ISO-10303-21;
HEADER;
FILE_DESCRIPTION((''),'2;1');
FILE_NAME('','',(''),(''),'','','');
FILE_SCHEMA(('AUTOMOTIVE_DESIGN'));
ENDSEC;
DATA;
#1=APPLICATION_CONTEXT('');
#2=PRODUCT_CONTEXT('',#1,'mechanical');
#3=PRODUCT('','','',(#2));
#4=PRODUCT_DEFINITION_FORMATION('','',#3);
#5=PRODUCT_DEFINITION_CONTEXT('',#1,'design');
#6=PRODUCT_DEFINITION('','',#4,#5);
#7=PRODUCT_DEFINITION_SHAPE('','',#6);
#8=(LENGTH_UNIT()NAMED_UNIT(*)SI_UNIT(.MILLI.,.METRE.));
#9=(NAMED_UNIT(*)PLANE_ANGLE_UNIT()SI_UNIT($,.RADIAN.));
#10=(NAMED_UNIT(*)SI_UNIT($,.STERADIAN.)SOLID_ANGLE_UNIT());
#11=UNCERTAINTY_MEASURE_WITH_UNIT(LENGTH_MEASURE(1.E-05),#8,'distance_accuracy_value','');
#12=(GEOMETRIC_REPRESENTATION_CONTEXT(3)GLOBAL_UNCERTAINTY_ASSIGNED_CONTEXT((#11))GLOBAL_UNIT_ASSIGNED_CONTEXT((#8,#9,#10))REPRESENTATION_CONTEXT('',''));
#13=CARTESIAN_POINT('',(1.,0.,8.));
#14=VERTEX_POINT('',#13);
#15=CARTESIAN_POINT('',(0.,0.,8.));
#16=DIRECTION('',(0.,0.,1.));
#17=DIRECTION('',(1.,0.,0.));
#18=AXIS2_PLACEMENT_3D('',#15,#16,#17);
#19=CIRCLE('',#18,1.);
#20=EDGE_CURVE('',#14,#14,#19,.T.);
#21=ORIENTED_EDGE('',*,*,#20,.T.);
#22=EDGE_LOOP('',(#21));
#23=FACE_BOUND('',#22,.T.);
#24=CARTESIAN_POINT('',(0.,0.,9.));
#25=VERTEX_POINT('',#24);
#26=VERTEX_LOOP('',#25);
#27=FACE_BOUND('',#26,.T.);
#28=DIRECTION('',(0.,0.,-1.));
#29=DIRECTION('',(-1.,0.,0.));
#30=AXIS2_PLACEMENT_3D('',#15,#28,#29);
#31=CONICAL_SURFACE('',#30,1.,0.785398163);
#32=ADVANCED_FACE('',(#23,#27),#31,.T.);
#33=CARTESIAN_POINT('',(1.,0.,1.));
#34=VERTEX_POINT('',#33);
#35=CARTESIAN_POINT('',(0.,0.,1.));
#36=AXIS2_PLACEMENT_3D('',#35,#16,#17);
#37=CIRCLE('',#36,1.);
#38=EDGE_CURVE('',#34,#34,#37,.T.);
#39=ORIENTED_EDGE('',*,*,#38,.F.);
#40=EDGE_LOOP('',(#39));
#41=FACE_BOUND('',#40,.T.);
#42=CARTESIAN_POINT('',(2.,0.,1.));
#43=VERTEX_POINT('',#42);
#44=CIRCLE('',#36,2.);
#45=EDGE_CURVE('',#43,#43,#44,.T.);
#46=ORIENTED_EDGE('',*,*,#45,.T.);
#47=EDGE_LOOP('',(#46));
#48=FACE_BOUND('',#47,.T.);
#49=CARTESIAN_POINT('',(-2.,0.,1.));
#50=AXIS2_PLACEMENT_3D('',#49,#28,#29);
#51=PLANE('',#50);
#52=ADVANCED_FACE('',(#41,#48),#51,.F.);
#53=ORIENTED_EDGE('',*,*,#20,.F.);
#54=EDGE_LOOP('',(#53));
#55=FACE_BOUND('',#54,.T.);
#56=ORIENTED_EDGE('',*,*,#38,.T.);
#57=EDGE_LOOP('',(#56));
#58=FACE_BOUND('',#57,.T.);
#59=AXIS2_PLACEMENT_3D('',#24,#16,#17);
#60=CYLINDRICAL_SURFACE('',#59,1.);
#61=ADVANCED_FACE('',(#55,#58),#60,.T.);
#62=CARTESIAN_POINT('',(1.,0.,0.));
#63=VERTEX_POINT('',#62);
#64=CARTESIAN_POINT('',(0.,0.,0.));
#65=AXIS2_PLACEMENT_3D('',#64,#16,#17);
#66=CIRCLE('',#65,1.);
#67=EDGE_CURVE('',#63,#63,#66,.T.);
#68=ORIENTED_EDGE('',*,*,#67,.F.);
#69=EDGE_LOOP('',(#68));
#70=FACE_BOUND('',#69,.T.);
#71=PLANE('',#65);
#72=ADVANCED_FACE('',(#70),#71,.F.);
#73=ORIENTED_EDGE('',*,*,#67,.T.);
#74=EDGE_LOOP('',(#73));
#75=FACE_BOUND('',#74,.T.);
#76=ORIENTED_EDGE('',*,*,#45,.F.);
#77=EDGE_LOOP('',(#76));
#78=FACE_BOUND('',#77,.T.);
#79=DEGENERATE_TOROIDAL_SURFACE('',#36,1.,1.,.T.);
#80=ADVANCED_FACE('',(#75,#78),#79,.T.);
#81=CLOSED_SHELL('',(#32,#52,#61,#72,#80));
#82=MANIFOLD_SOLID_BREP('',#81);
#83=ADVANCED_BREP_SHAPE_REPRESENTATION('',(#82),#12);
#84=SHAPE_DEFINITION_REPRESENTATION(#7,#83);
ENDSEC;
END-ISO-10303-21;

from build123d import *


with BuildPart() as part:
    # Sketch1 → Revolve1 (revolve)
    with BuildSketch(Plane(origin=(0, 0, 0), x_dir=(1, 0, 0), z_dir=(0, 1, 0))):
        with BuildLine():
            Line((-1, -1), (-1, -8))
            Line((-1, -8), (0, -9))
            Line((0, -9), (0, 0))
            Line((0, 0), (-1, 0))
            ThreePointArc((-1, 0), (-1.707106781, -0.292893219), (-2, -1))
            Line((-2, -1), (-1, -1))
        make_face()
    revolve(axis=Axis((0, 0, 9), (0, 0, -1)))


solid = part.part
